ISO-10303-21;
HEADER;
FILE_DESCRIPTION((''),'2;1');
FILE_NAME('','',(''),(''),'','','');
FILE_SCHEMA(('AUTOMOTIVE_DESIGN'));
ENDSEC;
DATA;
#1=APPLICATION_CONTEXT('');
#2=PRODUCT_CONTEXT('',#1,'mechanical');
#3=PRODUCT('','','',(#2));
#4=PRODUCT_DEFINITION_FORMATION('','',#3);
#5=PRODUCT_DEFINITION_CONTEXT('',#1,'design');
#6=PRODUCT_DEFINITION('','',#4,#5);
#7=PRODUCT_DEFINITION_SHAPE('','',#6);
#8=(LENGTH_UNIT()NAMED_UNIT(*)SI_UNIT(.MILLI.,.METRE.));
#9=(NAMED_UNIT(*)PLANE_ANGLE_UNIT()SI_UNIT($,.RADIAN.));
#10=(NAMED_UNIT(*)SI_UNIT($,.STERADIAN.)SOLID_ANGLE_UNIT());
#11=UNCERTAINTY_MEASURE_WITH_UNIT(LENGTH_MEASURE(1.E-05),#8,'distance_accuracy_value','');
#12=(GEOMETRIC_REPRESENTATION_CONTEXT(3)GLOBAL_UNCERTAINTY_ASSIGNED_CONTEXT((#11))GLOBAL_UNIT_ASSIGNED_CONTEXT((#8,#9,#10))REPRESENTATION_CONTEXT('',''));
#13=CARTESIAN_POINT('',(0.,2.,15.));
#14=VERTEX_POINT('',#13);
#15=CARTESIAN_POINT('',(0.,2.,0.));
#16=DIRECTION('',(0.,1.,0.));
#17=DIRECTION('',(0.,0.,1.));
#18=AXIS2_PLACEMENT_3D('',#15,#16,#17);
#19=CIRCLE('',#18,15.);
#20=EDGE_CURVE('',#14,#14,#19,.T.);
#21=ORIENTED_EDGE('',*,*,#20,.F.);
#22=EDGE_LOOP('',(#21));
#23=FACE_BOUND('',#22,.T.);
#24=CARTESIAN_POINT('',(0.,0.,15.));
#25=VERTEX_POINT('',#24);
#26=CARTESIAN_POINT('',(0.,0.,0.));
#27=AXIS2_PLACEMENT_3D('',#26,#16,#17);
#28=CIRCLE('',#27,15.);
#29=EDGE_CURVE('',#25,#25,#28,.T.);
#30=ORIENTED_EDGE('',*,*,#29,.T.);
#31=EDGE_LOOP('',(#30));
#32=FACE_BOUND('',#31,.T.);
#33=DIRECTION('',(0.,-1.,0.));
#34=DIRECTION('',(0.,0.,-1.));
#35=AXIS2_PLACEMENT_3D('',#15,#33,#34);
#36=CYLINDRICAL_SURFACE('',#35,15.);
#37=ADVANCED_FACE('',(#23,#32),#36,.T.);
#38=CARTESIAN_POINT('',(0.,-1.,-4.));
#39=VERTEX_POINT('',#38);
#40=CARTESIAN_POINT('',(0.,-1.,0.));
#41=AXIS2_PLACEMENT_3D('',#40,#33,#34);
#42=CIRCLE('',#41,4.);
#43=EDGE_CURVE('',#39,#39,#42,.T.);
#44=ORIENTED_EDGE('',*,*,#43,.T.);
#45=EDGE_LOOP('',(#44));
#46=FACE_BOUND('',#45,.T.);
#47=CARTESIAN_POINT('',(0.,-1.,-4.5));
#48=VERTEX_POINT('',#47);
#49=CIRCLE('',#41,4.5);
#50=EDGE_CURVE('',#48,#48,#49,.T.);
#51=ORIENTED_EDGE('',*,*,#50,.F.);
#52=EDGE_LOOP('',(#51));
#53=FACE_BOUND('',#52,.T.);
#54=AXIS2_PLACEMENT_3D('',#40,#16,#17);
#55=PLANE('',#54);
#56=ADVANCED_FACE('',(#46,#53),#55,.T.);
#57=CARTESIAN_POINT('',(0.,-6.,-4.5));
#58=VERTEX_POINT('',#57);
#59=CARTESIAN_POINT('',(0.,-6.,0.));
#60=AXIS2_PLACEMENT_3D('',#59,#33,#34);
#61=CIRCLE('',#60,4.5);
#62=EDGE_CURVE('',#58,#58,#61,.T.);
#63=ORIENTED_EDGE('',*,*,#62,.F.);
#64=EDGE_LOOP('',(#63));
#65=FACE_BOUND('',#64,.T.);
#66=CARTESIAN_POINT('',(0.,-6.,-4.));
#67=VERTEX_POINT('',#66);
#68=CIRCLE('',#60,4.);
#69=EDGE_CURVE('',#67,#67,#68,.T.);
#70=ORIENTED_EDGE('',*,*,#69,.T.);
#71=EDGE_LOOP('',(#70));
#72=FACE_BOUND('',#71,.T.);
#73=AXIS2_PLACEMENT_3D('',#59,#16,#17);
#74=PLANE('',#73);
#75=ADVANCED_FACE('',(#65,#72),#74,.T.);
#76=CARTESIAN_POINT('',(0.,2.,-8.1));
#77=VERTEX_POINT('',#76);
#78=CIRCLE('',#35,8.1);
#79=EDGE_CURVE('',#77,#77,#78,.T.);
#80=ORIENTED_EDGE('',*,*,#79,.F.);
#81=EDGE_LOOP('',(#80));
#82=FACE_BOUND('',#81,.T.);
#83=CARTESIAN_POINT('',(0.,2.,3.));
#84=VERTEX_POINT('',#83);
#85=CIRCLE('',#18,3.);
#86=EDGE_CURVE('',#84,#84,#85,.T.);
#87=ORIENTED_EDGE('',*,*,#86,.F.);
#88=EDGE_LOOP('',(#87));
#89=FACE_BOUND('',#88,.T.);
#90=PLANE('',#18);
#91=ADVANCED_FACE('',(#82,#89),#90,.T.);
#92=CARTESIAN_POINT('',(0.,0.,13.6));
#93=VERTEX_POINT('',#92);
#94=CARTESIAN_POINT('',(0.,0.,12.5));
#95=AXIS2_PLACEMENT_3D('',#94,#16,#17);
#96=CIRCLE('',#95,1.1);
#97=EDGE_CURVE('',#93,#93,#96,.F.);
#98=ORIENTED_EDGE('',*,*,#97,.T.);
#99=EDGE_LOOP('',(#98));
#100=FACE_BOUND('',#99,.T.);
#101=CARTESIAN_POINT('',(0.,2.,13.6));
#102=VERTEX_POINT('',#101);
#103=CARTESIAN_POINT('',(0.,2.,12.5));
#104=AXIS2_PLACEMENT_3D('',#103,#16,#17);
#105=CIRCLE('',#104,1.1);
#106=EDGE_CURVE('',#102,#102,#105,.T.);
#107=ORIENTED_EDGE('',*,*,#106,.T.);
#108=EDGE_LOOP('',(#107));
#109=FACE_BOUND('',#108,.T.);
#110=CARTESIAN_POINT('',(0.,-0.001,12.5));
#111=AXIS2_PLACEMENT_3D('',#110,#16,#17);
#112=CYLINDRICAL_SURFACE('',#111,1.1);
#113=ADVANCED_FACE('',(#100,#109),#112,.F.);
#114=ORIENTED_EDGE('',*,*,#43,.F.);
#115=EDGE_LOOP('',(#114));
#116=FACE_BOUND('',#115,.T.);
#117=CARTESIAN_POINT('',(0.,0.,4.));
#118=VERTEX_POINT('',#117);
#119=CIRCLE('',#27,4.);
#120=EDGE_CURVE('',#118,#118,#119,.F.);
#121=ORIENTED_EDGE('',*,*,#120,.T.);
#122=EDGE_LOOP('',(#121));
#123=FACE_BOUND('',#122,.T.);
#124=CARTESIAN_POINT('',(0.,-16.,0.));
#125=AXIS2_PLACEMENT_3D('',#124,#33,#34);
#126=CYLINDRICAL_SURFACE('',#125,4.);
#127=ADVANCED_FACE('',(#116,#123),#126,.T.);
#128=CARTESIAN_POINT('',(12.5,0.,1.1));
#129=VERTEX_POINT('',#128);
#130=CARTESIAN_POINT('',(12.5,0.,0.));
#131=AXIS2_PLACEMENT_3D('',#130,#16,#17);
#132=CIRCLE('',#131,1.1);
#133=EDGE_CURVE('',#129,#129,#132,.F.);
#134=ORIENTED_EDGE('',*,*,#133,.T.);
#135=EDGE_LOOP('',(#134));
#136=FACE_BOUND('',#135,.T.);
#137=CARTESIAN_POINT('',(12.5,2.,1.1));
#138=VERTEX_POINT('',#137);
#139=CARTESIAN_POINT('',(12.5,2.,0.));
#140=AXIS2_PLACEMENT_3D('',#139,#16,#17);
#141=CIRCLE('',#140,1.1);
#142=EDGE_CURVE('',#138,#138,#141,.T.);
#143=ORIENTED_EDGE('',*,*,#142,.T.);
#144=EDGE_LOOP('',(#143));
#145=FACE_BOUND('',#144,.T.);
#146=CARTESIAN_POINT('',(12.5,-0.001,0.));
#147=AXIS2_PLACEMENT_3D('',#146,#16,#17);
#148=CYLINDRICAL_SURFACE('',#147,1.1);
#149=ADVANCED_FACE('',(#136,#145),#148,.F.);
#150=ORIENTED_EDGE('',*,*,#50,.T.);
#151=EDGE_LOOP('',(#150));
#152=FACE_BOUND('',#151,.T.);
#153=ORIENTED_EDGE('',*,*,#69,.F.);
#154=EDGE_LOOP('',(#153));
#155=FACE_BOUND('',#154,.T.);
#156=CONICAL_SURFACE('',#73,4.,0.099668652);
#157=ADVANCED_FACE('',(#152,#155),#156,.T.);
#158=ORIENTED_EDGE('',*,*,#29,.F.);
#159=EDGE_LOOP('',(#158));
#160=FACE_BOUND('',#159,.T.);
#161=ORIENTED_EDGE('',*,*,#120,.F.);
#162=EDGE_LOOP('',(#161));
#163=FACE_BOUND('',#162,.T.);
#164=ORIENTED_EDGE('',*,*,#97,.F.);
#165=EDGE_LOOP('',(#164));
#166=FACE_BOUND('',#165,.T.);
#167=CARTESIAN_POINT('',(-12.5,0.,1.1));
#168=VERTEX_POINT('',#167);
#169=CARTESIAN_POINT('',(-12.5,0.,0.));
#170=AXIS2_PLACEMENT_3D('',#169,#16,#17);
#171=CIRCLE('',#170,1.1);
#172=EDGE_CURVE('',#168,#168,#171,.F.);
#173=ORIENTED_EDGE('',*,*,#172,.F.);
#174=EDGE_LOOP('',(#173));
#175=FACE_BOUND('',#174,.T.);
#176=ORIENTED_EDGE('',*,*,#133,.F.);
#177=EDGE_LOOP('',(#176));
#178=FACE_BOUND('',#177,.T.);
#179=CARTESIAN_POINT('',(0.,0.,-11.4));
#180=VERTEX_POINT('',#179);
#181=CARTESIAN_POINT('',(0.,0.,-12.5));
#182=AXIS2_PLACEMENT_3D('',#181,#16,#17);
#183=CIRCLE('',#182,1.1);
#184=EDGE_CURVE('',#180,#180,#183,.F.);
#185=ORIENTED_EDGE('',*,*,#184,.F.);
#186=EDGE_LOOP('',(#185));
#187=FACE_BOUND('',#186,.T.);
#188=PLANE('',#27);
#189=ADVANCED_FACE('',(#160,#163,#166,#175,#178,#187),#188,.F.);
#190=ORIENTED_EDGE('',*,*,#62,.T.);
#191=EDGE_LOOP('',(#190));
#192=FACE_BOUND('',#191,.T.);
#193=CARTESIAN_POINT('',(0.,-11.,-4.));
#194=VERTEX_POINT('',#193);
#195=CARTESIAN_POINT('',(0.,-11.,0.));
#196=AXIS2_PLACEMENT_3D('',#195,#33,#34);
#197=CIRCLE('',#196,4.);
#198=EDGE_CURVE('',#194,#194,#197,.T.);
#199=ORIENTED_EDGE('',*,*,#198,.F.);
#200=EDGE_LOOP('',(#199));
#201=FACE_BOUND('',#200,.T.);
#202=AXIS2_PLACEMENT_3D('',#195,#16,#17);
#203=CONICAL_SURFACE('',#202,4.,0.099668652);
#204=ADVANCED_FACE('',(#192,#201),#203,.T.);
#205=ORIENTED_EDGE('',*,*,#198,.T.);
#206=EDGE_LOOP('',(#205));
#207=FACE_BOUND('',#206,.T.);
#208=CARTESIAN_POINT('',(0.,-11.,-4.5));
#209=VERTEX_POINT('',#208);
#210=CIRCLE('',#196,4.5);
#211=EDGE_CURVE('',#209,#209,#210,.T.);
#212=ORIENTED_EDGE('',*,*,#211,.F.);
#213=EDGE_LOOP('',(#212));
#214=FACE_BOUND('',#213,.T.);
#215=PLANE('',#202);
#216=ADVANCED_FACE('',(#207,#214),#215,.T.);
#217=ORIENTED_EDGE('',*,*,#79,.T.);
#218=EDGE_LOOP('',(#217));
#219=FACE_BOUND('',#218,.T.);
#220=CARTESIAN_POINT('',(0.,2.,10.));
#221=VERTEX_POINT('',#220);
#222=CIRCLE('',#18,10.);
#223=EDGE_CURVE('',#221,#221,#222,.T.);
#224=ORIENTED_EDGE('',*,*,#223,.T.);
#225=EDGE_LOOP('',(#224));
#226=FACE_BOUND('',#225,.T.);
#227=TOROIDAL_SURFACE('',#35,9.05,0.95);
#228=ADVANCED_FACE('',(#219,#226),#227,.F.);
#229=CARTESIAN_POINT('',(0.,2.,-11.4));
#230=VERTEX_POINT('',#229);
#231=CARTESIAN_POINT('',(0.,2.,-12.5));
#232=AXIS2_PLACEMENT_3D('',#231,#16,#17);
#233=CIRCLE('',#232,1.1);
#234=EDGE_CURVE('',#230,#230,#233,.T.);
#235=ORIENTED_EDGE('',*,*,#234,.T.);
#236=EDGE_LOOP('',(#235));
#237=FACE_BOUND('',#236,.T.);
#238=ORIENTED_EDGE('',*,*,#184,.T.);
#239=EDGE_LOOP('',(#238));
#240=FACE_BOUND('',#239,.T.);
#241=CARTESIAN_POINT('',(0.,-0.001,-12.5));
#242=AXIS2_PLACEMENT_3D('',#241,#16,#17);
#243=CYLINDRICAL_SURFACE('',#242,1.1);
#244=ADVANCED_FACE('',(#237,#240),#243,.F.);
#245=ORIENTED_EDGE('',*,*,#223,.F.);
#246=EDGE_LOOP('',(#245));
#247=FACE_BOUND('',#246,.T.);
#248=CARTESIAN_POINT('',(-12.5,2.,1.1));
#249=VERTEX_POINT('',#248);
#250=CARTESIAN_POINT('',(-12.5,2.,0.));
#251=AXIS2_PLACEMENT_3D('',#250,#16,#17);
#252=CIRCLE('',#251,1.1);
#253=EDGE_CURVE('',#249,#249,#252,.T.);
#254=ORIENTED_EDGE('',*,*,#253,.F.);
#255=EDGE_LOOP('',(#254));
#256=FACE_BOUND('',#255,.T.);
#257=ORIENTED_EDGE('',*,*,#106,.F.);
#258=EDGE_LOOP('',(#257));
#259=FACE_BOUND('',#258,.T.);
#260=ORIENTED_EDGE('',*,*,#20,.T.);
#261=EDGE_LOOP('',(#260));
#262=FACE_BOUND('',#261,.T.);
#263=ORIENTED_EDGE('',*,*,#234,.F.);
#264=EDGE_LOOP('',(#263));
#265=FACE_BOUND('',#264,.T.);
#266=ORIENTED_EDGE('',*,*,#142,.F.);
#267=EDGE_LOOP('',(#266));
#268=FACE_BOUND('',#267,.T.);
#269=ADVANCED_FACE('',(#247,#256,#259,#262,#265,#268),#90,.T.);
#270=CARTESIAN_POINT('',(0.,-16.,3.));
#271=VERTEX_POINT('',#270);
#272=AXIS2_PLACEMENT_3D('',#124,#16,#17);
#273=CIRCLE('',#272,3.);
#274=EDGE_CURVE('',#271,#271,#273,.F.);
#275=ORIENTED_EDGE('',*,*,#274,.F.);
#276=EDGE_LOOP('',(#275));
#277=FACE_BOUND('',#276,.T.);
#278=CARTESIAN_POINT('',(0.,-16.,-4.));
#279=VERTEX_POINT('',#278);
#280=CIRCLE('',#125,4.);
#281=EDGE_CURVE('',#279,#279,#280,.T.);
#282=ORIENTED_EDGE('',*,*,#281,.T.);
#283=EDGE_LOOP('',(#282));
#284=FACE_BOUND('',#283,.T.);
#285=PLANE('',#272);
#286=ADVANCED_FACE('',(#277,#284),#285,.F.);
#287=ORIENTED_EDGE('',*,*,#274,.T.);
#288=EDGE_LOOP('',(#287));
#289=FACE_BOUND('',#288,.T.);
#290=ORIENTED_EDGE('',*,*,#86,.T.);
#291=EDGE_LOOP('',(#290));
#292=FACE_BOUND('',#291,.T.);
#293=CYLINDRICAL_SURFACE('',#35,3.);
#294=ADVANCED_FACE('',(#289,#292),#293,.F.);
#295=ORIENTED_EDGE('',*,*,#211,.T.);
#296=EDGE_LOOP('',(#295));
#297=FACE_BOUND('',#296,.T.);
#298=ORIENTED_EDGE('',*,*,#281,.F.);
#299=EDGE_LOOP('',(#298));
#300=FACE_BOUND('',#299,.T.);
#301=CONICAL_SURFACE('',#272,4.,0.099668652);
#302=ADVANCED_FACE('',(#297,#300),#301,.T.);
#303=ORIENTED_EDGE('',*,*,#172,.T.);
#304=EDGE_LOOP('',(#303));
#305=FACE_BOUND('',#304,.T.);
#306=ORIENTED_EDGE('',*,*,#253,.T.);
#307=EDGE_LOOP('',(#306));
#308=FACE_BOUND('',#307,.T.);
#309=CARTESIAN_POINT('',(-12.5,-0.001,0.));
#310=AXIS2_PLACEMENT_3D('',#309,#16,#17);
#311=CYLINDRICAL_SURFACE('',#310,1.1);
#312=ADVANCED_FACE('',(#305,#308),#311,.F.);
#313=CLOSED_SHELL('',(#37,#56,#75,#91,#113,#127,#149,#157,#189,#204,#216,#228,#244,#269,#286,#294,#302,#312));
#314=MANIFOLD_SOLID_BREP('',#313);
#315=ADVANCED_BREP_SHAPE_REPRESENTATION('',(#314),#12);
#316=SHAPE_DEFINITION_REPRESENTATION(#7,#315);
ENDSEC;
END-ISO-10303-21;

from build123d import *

# Parameters (mm, degrees)
SKETCH_1_R          = 15
SKETCH_1_R_2        = 3
EXTRUDE_1_DEPTH     = 2
SKETCH_2_R          = 0.95
CUT_EXTRUDE_1_REACH = 23.307
SKETCH_3_R          = 1.1
CUT_EXTRUDE_2_REACH = 28.571
SKETCH_5_R          = 3


with BuildPart() as part:
    # 草图1 → 凸台-拉伸1 (new body)
    with BuildSketch(Plane(origin=(0, 0, 0), x_dir=(1, 0, 0), z_dir=(0, 1, 0))):
        with Locations(Location((0, 0, 0), (0, 0, 270))):
            Circle(SKETCH_1_R)
        with Locations(Location((0, 0, 0), (0, 0, 270))):
            Circle(SKETCH_1_R_2, mode=Mode.SUBTRACT)
    extrude(amount=EXTRUDE_1_DEPTH)

    # 草图2 → 切除-旋转1 (revolve, cut)
    with BuildSketch(Plane.XY, mode=Mode.PRIVATE) as cut_revolve_1_sk:
        with Locations((9.05, 2)):
            Circle(SKETCH_2_R)
    revolve(cut_revolve_1_sk.sketch.rotate(Axis((0, 2, 0), (0, 1, 0)), 90), axis=Axis((0, 2, 0), (0, 1, 0)), mode=Mode.SUBTRACT)

    # 草图3 → 切除-拉伸1 (cut, up to next)
    with BuildSketch(Plane(origin=(0, 2, 0), x_dir=(1, 0, 0), z_dir=(0, 1, 0)), mode=Mode.PRIVATE) as cut_extrude_1_sk1:
        with Locations(Location((12.5, 0, 0), (0, 0, 270))):
            Circle(SKETCH_3_R)
    cut_extrude_1_tool1 = extrude(cut_extrude_1_sk1.sketch, amount=-CUT_EXTRUDE_1_REACH, mode=Mode.PRIVATE) & part.part
    # 草图3 → 切除-拉伸1 (cut, up to next)
    with BuildSketch(Plane(origin=(0, 2, 0), x_dir=(1, 0, 0), z_dir=(0, 1, 0)), mode=Mode.PRIVATE) as cut_extrude_1_sk2:
        with Locations(Location((0, -12.5, 0), (0, 0, 270))):
            Circle(SKETCH_3_R)
    cut_extrude_1_tool2 = extrude(cut_extrude_1_sk2.sketch, amount=-CUT_EXTRUDE_1_REACH, mode=Mode.PRIVATE) & part.part
    # 草图3 → 切除-拉伸1 (cut, up to next)
    with BuildSketch(Plane(origin=(0, 2, 0), x_dir=(1, 0, 0), z_dir=(0, 1, 0)), mode=Mode.PRIVATE) as cut_extrude_1_sk3:
        with Locations(Location((-12.5, 0, 0), (0, 0, 270))):
            Circle(SKETCH_3_R)
    cut_extrude_1_tool3 = extrude(cut_extrude_1_sk3.sketch, amount=-CUT_EXTRUDE_1_REACH, mode=Mode.PRIVATE) & part.part
    # 草图3 → 切除-拉伸1 (cut, up to next)
    with BuildSketch(Plane(origin=(0, 2, 0), x_dir=(1, 0, 0), z_dir=(0, 1, 0)), mode=Mode.PRIVATE) as cut_extrude_1_sk4:
        with Locations(Location((0, 12.5, 0), (0, 0, 270))):
            Circle(SKETCH_3_R)
    cut_extrude_1_tool4 = extrude(cut_extrude_1_sk4.sketch, amount=-CUT_EXTRUDE_1_REACH, mode=Mode.PRIVATE) & part.part
    add(cut_extrude_1_tool1.solids().sort_by_distance((12.5, 2, 0))[0], mode=Mode.SUBTRACT)
    add(cut_extrude_1_tool2.solids().sort_by_distance((0, 2, 12.5))[0], mode=Mode.SUBTRACT)
    add(cut_extrude_1_tool3.solids().sort_by_distance((-12.5, 2, 0))[0], mode=Mode.SUBTRACT)
    add(cut_extrude_1_tool4.solids().sort_by_distance((0, 2, -12.5))[0], mode=Mode.SUBTRACT)

    # 草图4 → 旋转1 (revolve)
    with BuildSketch(Plane(origin=(0, 0, 0), x_dir=(0, 0, -1), z_dir=(1, 0, 0))):
        Polygon((4, 0), (0, 0), (0, -16), (4, -16), (4.5, -11), (4, -11), (4.5, -6), (4, -6), (4.5, -1), (4, -1), align=None)
    revolve(axis=Axis((0, -16, 0), (0, 1, 0)))

    # 草图5 → 切除-拉伸2 (cut, up to next)
    with BuildSketch(Plane(origin=(0, 0, 0), x_dir=(1, 0, 0), z_dir=(0, 1, 0)), mode=Mode.PRIVATE) as cut_extrude_2_sk1:
        with Locations(Location((0, 0, 0), (0, 0, 270))):
            Circle(SKETCH_5_R)
    cut_extrude_2_tool1 = extrude(cut_extrude_2_sk1.sketch, amount=-CUT_EXTRUDE_2_REACH, mode=Mode.PRIVATE) & part.part
    add(cut_extrude_2_tool1.solids().sort_by_distance((0, 0, 0))[0], mode=Mode.SUBTRACT)


solid = part.part
